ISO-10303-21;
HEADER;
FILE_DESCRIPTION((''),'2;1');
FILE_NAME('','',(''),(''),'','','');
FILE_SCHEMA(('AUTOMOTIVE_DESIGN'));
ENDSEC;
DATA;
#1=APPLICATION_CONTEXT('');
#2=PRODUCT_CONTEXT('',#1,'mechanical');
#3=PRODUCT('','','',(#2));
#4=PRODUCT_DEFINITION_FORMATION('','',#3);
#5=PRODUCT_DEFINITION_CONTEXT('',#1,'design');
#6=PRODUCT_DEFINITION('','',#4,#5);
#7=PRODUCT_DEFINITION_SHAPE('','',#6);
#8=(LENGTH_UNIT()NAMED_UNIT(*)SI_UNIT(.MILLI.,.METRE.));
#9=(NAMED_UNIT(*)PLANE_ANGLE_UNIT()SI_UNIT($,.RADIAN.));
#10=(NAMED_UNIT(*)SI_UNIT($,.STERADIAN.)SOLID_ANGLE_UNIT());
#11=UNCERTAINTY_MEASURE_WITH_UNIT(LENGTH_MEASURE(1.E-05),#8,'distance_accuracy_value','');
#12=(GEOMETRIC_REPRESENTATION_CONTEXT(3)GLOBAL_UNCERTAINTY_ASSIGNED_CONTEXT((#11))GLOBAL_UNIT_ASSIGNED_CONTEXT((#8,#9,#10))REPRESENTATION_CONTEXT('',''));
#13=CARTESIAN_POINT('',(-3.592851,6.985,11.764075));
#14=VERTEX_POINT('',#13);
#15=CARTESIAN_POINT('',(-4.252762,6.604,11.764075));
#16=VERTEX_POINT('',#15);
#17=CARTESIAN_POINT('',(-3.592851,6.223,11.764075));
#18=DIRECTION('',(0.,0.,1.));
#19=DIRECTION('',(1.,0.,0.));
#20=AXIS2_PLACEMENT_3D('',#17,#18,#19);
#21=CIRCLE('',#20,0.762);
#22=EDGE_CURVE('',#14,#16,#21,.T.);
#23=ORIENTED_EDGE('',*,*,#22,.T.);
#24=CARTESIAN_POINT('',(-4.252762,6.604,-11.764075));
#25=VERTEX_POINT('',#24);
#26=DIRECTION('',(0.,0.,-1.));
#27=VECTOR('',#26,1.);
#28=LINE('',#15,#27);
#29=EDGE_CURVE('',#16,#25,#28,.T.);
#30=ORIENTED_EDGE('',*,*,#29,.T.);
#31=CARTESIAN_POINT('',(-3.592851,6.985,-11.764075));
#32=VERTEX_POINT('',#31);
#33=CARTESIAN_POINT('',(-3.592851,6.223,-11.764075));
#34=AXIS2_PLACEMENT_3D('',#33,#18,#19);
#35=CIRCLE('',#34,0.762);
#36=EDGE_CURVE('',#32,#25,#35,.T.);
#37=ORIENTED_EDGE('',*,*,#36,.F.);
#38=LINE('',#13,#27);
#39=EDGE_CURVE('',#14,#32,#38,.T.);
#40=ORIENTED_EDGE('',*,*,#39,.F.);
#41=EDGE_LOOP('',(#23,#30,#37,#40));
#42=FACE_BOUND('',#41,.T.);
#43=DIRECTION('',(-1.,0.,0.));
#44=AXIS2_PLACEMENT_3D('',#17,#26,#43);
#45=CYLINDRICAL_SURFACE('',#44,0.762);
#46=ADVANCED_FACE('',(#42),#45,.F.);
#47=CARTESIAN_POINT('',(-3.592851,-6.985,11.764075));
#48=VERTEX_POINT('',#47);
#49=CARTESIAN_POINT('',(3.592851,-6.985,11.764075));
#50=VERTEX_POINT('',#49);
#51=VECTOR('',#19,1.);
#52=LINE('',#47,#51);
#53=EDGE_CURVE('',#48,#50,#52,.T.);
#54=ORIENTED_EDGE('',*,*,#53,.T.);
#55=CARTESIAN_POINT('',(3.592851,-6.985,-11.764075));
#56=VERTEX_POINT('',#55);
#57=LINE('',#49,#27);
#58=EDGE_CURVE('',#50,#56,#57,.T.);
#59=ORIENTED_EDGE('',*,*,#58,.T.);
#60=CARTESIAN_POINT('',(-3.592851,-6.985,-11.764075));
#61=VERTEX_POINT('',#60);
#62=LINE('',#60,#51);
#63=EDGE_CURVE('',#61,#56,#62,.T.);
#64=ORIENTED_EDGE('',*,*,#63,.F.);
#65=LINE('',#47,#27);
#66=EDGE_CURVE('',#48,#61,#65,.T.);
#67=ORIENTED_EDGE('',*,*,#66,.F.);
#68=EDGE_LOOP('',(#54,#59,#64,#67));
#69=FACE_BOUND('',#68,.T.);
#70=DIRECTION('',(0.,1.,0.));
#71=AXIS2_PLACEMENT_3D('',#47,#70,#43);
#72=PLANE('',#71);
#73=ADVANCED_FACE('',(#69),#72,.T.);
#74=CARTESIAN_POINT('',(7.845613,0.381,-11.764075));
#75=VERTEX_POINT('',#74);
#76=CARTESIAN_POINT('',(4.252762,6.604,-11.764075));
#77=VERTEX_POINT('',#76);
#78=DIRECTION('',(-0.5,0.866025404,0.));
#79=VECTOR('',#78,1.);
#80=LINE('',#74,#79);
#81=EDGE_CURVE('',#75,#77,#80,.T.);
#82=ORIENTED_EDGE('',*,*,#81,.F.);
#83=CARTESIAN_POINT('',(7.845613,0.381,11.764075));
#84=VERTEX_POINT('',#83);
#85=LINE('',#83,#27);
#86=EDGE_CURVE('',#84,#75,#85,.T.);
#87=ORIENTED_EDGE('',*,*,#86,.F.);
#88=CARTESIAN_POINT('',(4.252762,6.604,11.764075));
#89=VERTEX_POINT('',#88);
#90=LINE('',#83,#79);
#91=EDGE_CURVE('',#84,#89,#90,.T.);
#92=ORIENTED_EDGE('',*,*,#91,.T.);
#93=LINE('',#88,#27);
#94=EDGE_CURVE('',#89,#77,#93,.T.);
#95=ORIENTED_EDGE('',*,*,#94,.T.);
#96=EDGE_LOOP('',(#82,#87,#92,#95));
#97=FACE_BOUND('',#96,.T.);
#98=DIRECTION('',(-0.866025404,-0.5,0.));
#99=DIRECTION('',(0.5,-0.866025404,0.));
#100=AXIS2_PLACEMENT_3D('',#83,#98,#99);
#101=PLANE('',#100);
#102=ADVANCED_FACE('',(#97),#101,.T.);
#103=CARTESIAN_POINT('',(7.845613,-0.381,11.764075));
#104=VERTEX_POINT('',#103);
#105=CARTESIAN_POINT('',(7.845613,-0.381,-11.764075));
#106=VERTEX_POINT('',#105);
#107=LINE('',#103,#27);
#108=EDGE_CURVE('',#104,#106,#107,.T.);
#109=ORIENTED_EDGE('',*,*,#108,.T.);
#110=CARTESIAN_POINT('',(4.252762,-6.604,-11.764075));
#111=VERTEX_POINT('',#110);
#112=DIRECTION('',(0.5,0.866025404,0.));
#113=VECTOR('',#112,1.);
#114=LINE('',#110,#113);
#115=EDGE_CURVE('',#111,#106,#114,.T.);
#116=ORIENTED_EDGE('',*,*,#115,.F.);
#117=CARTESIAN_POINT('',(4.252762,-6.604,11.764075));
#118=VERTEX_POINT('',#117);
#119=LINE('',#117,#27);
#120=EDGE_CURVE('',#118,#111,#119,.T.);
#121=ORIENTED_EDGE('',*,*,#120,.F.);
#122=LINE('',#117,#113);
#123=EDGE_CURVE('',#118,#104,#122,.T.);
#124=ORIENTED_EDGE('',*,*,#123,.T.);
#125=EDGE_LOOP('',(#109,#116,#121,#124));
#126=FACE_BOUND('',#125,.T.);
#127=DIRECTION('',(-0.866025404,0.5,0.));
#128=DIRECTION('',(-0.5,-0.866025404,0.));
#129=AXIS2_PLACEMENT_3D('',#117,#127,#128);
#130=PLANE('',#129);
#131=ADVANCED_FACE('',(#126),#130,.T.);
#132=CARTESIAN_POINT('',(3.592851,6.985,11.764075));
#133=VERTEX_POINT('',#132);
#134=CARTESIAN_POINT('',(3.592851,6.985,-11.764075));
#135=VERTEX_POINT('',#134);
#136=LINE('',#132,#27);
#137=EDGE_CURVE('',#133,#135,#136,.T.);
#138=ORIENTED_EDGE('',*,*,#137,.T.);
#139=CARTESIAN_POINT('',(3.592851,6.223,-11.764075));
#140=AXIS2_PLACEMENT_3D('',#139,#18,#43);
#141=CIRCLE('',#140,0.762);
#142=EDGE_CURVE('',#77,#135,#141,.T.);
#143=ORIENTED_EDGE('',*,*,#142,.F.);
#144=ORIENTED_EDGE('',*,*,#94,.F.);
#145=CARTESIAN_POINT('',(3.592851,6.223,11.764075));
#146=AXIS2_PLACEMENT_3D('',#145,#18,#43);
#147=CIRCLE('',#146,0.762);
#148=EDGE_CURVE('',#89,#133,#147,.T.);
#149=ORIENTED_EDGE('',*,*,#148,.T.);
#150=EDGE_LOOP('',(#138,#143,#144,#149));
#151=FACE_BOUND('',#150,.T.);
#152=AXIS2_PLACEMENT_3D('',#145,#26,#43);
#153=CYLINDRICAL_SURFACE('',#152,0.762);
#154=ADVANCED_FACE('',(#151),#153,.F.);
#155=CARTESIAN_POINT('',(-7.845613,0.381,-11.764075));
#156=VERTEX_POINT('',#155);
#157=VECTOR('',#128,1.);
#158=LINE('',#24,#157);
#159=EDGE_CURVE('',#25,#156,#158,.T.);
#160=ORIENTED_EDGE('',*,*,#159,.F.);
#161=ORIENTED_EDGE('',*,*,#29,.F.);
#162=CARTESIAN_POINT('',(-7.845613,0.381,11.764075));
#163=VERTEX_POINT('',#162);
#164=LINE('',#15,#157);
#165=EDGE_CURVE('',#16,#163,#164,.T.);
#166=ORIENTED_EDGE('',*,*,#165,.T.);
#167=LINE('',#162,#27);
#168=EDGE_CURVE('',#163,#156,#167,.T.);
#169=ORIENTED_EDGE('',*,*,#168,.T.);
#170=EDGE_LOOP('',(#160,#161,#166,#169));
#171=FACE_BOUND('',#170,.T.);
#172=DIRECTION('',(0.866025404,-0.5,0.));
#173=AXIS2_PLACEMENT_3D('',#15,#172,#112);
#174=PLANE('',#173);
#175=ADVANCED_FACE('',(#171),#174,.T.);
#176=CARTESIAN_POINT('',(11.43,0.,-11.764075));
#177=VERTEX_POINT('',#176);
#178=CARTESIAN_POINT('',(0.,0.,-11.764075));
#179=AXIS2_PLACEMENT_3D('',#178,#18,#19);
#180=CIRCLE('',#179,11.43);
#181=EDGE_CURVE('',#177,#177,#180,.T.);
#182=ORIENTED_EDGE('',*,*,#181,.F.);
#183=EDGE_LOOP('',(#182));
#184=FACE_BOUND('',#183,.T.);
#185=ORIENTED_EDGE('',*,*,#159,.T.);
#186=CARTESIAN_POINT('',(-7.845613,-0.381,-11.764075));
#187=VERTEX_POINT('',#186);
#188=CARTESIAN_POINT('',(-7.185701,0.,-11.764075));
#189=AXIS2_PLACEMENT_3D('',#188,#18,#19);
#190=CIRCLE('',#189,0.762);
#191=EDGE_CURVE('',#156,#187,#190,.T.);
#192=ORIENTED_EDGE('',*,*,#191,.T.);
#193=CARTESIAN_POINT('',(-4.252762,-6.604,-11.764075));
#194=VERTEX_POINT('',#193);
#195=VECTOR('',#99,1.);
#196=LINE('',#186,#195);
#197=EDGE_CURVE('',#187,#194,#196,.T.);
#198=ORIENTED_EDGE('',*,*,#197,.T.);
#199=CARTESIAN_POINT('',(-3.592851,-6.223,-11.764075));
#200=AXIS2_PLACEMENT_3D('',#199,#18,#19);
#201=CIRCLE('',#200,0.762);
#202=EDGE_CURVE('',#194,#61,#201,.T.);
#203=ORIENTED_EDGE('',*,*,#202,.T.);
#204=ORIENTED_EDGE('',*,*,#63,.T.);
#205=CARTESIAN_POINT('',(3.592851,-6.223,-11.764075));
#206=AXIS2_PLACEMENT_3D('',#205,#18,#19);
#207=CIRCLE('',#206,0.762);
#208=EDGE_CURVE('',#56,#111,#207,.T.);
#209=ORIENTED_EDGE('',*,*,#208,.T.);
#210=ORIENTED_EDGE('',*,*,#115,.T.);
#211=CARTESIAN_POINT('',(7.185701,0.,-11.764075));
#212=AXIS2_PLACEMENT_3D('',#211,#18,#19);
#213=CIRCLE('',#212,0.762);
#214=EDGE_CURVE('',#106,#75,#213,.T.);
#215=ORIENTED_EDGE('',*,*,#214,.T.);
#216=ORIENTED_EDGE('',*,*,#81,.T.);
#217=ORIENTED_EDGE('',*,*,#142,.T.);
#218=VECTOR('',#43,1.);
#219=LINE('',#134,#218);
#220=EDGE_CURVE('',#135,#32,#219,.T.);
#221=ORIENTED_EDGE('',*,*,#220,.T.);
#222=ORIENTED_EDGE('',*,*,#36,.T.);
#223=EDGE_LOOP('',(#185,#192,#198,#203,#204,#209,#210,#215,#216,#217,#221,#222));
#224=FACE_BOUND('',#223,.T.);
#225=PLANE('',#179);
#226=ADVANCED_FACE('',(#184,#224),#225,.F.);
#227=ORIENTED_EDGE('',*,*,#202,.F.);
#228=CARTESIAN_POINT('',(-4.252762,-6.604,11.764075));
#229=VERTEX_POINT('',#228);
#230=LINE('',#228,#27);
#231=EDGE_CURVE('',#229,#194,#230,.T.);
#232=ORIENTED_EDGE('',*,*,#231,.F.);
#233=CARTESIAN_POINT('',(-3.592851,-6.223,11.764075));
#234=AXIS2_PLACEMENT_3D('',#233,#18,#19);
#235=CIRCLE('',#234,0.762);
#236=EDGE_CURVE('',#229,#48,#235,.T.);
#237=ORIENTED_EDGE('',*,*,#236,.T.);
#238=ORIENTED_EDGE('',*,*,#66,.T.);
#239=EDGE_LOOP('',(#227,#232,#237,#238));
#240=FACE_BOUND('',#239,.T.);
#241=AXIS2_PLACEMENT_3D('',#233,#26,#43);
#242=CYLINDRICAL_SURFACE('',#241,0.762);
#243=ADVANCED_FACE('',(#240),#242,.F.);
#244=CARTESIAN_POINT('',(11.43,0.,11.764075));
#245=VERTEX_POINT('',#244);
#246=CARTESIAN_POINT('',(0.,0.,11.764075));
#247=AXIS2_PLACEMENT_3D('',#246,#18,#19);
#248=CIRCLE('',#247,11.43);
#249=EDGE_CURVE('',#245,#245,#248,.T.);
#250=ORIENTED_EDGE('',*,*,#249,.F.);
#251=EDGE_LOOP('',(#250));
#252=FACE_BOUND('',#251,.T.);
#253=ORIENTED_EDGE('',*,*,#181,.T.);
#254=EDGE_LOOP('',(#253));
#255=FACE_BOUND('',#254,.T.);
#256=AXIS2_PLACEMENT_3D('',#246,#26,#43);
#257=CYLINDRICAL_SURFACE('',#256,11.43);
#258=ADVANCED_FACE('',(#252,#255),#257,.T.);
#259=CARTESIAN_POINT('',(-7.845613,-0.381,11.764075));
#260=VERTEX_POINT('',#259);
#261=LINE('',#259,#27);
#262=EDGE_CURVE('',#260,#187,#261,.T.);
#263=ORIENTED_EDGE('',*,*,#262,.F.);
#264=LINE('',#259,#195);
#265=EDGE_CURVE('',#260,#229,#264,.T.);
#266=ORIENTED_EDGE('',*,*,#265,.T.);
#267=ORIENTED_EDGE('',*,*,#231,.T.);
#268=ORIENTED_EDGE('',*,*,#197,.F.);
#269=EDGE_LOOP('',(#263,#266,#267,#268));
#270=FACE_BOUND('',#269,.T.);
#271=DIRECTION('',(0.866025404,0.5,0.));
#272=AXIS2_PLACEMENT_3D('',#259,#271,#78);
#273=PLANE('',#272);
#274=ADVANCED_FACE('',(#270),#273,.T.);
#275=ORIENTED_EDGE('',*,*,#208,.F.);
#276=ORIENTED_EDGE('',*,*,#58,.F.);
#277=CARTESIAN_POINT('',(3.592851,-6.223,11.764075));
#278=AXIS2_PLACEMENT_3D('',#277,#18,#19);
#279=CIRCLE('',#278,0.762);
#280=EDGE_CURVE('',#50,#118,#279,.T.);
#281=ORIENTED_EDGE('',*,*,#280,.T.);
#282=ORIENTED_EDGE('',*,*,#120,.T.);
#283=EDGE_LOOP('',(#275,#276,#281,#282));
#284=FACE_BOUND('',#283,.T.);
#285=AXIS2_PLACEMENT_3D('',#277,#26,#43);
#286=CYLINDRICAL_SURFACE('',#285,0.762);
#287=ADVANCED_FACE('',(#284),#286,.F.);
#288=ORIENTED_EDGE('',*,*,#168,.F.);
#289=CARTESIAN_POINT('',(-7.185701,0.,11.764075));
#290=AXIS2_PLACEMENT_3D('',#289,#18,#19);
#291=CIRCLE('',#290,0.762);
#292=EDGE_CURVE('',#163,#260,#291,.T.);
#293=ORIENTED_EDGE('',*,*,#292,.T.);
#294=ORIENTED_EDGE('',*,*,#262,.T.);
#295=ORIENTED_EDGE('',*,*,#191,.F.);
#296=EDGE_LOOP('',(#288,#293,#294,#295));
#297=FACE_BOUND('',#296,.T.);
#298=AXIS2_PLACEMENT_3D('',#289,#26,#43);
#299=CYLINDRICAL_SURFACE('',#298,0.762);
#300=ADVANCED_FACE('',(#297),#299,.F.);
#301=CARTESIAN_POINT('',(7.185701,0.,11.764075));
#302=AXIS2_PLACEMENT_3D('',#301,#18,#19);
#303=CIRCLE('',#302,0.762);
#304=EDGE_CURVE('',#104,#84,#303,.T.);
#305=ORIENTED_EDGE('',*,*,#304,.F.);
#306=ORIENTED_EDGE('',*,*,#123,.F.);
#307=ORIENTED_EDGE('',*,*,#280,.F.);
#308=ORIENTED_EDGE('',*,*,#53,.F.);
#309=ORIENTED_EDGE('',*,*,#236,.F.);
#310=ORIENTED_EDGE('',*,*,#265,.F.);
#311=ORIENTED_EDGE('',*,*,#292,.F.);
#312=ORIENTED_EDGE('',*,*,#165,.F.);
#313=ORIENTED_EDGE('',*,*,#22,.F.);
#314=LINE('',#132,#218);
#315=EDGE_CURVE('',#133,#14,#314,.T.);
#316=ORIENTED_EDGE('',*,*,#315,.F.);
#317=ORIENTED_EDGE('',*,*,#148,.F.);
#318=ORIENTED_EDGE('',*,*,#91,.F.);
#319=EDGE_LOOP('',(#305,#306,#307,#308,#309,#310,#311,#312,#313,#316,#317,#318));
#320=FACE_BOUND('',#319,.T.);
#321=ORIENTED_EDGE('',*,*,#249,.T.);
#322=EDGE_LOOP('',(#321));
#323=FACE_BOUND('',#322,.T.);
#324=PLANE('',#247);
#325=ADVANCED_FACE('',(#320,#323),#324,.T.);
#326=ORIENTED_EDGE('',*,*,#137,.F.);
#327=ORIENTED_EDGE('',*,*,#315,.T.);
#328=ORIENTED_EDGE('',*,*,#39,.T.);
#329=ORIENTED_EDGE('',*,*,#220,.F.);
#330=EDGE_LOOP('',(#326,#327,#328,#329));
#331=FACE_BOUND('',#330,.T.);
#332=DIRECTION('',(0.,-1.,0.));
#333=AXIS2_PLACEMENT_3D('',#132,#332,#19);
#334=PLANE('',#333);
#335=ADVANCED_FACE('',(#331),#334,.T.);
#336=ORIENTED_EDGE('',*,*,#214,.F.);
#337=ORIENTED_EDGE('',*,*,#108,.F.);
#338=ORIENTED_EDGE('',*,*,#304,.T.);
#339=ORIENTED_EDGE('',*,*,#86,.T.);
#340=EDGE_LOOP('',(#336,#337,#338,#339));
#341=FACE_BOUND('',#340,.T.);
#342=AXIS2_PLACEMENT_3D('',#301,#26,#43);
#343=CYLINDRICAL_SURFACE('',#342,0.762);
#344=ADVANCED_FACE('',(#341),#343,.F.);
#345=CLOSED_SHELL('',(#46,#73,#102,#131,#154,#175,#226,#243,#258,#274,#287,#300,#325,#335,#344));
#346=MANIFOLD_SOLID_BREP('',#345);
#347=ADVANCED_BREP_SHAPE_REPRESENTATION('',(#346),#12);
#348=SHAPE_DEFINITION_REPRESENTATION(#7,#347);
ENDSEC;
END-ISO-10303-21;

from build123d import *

# Parameters (mm, degrees)
CROQUIS1_R              = 11.43
SALIENTE_EXTRUIR1_DEPTH = 11.764075024


with BuildPart() as part:
    # Croquis1 → Saliente-Extruir1 (new body, symmetric)
    with BuildSketch(Plane.XY):
        Circle(CROQUIS1_R)
        with BuildLine():
            Line((3.592850725, 6.985), (-3.592850725, 6.985))
            ThreePointArc((-3.592850725, 6.985), (-3.973850725, 6.882911358), (-4.252762083, 6.604))
            Line((-4.252762083, 6.604), (-7.845612808, 0.381))
            ThreePointArc((-7.845612808, 0.381), (-7.94770145, 0), (-7.845612808, -0.381))
            Line((-7.845612808, -0.381), (-4.252762083, -6.604))
            ThreePointArc((-4.252762083, -6.604), (-3.973850725, -6.882911358), (-3.592850725, -6.985))
            Line((-3.592850725, -6.985), (3.592850725, -6.985))
            ThreePointArc((3.592850725, -6.985), (3.973850725, -6.882911358), (4.252762083, -6.604))
            Line((4.252762083, -6.604), (7.845612808, -0.381))
            ThreePointArc((7.845612808, -0.381), (7.94770145, 0), (7.845612808, 0.381))
            Line((7.845612808, 0.381), (4.252762083, 6.604))
            ThreePointArc((4.252762083, 6.604), (3.973850725, 6.882911358), (3.592850725, 6.985))
        make_face(mode=Mode.SUBTRACT)
    extrude(amount=SALIENTE_EXTRUIR1_DEPTH, both=True)


solid = part.part
